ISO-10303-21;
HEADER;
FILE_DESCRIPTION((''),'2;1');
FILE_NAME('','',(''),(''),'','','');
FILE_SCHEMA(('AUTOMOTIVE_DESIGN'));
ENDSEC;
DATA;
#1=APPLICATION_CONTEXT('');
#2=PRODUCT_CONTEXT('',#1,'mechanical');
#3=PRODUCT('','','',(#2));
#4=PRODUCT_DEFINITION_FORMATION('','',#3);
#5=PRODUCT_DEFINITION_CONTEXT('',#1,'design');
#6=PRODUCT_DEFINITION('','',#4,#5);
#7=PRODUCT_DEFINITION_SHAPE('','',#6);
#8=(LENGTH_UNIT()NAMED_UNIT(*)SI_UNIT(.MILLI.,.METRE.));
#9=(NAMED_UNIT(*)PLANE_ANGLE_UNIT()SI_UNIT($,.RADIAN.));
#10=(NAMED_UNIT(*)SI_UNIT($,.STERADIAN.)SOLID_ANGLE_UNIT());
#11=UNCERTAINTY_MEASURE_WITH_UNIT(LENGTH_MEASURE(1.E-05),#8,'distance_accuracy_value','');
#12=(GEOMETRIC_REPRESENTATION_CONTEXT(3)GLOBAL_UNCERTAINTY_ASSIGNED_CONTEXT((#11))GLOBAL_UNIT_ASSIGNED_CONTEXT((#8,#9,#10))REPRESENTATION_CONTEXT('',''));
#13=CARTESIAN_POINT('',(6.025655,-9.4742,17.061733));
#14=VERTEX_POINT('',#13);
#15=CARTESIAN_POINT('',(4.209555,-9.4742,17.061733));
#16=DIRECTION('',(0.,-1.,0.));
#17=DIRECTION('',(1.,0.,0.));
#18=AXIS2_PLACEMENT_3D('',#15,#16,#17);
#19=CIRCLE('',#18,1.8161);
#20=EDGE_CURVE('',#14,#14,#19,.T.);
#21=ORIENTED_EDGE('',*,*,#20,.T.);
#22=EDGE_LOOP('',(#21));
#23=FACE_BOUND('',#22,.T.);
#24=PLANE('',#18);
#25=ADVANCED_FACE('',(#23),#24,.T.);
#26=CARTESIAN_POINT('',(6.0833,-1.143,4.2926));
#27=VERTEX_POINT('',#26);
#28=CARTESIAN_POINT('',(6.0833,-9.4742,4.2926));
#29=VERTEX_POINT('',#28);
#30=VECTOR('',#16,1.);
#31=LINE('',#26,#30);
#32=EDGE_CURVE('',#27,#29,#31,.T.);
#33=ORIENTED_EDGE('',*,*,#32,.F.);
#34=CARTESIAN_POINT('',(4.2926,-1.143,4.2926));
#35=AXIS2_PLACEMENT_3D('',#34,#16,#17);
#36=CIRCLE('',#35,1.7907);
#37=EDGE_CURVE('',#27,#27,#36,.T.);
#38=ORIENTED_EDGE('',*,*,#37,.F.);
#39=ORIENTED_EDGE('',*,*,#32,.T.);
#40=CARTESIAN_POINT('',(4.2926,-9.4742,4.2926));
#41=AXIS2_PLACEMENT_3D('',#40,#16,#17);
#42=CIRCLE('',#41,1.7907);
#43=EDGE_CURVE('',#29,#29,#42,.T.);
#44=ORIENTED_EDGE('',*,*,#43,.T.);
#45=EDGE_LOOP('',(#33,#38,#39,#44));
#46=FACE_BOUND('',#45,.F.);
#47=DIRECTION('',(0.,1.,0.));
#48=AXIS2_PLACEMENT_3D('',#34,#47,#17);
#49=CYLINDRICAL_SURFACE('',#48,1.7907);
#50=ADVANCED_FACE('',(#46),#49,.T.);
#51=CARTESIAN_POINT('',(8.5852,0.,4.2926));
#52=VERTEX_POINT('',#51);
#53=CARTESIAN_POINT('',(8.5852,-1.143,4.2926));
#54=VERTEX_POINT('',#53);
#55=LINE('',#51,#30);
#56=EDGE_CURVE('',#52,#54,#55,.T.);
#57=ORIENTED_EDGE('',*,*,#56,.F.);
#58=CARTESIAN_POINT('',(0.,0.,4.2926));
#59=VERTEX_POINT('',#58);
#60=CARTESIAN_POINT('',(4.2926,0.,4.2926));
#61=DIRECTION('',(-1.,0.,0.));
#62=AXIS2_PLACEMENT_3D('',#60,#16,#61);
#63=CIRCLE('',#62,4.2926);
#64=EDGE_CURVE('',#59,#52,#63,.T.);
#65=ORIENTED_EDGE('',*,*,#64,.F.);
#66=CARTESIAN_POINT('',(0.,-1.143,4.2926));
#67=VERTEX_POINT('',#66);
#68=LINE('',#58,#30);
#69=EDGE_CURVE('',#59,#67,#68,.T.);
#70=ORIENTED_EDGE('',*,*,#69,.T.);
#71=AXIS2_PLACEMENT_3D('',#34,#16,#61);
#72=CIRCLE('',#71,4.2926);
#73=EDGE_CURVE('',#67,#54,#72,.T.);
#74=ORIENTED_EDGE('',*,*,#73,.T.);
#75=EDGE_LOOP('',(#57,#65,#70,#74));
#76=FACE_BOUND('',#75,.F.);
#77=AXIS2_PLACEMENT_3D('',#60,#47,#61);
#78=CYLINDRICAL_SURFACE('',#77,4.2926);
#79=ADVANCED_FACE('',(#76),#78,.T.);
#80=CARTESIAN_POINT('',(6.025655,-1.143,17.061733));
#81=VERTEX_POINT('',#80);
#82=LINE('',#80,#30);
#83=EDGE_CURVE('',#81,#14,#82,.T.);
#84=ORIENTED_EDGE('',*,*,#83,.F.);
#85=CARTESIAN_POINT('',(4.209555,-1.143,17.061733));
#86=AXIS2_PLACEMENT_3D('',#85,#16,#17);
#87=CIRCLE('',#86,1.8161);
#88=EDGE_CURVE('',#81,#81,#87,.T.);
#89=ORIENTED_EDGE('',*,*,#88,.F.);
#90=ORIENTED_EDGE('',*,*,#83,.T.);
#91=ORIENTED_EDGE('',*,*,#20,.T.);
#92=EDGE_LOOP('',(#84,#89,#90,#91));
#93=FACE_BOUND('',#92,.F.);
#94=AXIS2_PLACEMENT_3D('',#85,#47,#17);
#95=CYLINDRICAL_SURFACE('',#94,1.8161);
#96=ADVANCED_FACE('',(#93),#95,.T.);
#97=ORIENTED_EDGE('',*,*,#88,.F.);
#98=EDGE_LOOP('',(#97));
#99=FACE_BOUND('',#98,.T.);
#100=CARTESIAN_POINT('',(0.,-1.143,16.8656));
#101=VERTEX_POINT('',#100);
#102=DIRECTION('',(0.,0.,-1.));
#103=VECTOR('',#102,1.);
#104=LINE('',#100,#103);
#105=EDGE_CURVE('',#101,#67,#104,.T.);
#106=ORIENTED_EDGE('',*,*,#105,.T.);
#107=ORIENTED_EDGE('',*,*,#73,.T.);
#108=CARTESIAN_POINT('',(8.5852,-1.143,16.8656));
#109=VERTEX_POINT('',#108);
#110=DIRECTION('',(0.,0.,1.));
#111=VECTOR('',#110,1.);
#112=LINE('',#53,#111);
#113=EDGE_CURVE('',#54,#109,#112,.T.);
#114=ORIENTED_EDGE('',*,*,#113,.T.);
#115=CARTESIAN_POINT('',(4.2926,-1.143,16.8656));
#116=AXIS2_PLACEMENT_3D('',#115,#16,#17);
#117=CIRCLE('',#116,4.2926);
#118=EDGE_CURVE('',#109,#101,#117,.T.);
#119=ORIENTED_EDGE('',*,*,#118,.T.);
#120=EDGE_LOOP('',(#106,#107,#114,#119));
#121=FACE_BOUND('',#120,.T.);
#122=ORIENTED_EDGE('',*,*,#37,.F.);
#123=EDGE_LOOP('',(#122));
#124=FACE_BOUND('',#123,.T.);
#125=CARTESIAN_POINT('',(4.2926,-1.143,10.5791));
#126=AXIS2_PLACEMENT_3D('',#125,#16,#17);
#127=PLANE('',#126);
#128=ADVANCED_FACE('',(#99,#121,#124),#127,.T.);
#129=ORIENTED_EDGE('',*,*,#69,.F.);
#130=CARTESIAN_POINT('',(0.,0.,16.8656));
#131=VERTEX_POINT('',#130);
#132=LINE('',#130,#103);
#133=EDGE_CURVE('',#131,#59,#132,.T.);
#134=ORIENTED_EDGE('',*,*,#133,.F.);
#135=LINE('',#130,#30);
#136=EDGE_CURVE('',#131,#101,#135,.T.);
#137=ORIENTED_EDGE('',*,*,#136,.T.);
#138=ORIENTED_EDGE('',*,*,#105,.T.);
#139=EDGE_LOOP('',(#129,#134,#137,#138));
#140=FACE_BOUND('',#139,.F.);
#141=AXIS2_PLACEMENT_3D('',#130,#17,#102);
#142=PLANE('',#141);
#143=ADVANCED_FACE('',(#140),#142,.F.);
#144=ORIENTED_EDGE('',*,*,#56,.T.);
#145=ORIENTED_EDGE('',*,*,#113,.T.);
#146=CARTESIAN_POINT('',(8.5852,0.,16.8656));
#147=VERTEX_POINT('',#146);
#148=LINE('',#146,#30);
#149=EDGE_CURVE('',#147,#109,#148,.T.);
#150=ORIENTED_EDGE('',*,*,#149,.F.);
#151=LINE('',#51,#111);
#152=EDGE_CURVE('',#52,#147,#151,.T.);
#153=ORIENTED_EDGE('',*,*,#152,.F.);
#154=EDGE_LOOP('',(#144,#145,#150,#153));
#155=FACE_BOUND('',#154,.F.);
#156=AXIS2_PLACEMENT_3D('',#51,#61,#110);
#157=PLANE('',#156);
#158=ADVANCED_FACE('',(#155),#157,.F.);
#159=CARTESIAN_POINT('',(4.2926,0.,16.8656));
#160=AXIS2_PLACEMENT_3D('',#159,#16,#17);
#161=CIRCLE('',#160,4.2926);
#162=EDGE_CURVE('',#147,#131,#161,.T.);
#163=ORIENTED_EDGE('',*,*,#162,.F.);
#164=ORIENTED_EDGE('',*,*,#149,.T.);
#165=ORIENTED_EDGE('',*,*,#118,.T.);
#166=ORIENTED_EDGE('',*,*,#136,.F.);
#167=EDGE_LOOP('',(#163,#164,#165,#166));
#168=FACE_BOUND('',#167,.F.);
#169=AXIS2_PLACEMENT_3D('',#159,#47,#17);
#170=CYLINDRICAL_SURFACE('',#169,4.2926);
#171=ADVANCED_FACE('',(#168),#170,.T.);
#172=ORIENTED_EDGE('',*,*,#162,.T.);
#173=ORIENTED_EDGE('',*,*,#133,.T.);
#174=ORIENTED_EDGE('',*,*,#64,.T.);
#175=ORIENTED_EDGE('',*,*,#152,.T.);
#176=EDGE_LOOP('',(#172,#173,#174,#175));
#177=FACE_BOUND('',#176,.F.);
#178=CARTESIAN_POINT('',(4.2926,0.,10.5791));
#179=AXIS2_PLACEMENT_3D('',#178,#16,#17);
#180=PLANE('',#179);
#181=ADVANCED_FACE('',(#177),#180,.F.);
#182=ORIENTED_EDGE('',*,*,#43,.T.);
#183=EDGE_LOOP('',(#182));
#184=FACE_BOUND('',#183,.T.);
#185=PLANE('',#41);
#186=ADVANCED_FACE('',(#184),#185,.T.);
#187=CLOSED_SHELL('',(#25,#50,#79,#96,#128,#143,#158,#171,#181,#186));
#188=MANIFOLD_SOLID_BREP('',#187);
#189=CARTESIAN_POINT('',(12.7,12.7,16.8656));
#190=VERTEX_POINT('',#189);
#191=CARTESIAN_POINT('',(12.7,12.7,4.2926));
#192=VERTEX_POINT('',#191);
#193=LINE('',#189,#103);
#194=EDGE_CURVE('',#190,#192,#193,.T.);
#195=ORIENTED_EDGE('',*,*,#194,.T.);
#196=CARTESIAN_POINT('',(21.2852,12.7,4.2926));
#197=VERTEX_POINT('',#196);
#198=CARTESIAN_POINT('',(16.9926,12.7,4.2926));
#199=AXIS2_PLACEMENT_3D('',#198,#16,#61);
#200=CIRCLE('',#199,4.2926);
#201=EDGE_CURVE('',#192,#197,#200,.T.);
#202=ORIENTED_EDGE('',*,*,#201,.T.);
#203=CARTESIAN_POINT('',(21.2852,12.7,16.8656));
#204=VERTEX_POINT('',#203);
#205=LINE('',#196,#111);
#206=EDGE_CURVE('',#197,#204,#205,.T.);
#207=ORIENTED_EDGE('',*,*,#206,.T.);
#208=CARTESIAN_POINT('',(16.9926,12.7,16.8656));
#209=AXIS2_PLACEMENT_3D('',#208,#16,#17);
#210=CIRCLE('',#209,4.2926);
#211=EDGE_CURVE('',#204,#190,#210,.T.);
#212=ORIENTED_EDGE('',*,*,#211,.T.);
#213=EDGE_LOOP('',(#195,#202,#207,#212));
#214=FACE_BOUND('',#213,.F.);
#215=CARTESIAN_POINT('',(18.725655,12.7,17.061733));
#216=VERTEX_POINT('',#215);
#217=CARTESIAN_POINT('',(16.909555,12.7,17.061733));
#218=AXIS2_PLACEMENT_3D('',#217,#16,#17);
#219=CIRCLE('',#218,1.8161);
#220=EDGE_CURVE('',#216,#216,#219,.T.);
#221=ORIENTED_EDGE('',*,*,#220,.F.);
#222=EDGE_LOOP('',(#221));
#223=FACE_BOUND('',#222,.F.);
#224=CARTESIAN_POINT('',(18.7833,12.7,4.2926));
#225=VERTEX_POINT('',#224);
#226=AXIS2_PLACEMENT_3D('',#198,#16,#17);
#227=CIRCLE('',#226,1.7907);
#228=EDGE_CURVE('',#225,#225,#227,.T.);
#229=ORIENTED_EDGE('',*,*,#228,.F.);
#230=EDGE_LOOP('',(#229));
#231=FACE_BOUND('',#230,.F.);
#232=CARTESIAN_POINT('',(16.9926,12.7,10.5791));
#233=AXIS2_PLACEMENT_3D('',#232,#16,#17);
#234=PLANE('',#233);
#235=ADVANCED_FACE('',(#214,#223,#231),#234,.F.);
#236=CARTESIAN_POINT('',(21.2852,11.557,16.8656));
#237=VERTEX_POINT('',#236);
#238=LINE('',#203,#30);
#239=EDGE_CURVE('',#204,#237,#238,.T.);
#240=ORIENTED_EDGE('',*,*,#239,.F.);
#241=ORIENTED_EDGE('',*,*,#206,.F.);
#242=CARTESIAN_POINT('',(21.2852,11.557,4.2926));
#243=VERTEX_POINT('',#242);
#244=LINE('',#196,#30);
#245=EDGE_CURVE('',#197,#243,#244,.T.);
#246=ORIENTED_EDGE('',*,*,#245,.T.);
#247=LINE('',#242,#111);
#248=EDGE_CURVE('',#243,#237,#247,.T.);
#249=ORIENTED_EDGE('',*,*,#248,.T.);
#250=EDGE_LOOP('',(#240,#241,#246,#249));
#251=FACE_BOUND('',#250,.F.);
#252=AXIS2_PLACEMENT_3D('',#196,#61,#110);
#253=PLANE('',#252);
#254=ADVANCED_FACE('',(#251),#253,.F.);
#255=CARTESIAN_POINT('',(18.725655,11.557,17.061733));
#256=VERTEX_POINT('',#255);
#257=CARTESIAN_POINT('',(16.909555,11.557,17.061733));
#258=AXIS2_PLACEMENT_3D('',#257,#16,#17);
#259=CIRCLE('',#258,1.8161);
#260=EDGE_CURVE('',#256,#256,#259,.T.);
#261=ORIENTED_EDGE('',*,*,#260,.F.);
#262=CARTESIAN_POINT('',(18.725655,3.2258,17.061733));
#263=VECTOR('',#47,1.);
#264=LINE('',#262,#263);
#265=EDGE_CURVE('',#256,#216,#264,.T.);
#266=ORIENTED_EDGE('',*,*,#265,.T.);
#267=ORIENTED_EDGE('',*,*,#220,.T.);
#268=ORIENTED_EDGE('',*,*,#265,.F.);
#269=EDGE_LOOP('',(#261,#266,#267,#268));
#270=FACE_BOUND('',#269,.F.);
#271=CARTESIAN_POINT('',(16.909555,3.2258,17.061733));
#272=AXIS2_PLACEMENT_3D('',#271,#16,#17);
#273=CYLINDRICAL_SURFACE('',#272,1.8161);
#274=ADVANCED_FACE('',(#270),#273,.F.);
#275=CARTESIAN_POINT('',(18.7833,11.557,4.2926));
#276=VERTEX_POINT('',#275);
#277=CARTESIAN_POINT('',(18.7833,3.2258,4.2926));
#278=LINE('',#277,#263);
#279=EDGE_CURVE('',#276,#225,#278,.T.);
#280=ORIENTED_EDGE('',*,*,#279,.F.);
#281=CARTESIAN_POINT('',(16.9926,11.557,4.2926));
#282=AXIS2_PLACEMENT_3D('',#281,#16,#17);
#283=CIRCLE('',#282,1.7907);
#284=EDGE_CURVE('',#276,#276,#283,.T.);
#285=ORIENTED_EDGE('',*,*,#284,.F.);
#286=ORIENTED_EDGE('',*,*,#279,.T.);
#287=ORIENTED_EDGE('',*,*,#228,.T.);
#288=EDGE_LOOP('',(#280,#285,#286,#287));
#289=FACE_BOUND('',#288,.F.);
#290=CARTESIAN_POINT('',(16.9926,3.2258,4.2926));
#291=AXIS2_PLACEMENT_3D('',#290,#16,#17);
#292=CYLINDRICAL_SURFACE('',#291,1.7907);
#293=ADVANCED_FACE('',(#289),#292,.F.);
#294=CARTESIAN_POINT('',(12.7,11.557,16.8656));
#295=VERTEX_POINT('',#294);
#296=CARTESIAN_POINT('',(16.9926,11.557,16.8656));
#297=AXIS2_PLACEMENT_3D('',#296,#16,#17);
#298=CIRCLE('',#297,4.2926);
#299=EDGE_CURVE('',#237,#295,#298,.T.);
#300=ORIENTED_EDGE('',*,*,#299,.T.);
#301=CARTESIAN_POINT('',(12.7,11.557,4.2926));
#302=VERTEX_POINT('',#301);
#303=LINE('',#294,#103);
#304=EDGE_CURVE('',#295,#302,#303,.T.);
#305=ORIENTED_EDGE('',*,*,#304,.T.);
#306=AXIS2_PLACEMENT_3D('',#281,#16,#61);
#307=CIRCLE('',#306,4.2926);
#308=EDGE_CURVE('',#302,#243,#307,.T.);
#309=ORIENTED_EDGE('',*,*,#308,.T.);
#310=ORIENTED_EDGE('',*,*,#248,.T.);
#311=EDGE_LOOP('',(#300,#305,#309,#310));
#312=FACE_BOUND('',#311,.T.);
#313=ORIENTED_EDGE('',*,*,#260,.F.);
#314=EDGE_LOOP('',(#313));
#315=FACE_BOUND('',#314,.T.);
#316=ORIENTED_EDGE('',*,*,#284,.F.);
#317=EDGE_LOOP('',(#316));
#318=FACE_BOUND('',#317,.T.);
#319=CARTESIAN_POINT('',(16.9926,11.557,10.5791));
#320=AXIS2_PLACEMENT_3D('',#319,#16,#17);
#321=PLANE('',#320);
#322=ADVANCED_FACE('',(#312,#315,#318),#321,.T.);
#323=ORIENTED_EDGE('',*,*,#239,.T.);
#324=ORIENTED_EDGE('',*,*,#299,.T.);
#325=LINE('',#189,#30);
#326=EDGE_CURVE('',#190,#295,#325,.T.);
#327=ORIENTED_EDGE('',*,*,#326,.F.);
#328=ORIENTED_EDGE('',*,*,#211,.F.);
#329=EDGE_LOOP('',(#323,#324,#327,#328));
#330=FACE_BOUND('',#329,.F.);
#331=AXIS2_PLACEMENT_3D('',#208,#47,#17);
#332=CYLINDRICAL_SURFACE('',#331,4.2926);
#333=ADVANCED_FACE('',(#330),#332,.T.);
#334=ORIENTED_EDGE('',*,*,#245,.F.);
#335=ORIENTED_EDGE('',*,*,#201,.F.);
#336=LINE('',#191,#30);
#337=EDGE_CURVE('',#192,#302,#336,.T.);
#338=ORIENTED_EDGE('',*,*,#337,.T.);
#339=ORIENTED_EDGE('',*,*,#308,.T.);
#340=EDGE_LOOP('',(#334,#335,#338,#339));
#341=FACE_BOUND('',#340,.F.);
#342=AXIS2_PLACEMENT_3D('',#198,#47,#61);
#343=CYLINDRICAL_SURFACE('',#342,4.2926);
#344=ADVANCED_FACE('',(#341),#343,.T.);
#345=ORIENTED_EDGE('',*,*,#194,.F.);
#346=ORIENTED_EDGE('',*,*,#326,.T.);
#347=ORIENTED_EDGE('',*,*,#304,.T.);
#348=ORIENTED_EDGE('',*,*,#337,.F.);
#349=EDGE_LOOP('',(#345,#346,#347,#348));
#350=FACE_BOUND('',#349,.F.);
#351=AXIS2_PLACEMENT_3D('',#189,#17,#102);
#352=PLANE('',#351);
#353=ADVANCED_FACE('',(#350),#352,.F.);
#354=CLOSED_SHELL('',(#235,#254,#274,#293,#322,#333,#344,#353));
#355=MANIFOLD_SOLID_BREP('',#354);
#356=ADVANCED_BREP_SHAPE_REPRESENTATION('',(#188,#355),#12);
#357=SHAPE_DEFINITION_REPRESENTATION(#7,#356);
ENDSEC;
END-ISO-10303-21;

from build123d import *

# Parameters (mm, degrees)
F1_DEPTH = 1.143
F2_R     = 1.7907
F2_R_2   = 1.8161
F3_DEPTH = 8.3312
F5_DEPTH = 25.4


with BuildPart() as f1:
    # F0 (on Front) → F1 (new body)
    with BuildSketch(Plane.XZ):
        with BuildLine():
            Line((0, 16.8656), (0, 4.2926))
            ThreePointArc((0, 4.2926), (4.2926, 0), (8.5852, 4.2926))
            Line((8.5852, 4.2926), (8.5852, 16.8656))
            ThreePointArc((8.5852, 16.8656), (4.2926, 21.1582), (0, 16.8656))
        make_face()
    extrude(amount=F1_DEPTH)

    # F2 (on face) → F3 (join)
    with BuildSketch(Plane.XZ.offset(1.143)):
        with Locations((4.2926, 4.2926)):
            Circle(F2_R)
        with Locations((4.2095552199, 17.0617327094)):
            Circle(F2_R_2)
    extrude(amount=F3_DEPTH)


with BuildPart() as f4_1:
    # F4: copy of F1
    add(f1.part.moved(Location((12.7, 12.7, 0))))

    # F5 (cut): faces of the model
    f5_faces = [f4_1.faces().sort_by_distance(p)[0] for p in [
        (16.9095552199, 3.2258, 17.0617327094),
        (16.9926, 3.2258, 4.2926),
    ]]
    extrude(f5_faces, amount=-F5_DEPTH, mode=Mode.SUBTRACT)


solid = Compound([f1.part, f4_1.part])
